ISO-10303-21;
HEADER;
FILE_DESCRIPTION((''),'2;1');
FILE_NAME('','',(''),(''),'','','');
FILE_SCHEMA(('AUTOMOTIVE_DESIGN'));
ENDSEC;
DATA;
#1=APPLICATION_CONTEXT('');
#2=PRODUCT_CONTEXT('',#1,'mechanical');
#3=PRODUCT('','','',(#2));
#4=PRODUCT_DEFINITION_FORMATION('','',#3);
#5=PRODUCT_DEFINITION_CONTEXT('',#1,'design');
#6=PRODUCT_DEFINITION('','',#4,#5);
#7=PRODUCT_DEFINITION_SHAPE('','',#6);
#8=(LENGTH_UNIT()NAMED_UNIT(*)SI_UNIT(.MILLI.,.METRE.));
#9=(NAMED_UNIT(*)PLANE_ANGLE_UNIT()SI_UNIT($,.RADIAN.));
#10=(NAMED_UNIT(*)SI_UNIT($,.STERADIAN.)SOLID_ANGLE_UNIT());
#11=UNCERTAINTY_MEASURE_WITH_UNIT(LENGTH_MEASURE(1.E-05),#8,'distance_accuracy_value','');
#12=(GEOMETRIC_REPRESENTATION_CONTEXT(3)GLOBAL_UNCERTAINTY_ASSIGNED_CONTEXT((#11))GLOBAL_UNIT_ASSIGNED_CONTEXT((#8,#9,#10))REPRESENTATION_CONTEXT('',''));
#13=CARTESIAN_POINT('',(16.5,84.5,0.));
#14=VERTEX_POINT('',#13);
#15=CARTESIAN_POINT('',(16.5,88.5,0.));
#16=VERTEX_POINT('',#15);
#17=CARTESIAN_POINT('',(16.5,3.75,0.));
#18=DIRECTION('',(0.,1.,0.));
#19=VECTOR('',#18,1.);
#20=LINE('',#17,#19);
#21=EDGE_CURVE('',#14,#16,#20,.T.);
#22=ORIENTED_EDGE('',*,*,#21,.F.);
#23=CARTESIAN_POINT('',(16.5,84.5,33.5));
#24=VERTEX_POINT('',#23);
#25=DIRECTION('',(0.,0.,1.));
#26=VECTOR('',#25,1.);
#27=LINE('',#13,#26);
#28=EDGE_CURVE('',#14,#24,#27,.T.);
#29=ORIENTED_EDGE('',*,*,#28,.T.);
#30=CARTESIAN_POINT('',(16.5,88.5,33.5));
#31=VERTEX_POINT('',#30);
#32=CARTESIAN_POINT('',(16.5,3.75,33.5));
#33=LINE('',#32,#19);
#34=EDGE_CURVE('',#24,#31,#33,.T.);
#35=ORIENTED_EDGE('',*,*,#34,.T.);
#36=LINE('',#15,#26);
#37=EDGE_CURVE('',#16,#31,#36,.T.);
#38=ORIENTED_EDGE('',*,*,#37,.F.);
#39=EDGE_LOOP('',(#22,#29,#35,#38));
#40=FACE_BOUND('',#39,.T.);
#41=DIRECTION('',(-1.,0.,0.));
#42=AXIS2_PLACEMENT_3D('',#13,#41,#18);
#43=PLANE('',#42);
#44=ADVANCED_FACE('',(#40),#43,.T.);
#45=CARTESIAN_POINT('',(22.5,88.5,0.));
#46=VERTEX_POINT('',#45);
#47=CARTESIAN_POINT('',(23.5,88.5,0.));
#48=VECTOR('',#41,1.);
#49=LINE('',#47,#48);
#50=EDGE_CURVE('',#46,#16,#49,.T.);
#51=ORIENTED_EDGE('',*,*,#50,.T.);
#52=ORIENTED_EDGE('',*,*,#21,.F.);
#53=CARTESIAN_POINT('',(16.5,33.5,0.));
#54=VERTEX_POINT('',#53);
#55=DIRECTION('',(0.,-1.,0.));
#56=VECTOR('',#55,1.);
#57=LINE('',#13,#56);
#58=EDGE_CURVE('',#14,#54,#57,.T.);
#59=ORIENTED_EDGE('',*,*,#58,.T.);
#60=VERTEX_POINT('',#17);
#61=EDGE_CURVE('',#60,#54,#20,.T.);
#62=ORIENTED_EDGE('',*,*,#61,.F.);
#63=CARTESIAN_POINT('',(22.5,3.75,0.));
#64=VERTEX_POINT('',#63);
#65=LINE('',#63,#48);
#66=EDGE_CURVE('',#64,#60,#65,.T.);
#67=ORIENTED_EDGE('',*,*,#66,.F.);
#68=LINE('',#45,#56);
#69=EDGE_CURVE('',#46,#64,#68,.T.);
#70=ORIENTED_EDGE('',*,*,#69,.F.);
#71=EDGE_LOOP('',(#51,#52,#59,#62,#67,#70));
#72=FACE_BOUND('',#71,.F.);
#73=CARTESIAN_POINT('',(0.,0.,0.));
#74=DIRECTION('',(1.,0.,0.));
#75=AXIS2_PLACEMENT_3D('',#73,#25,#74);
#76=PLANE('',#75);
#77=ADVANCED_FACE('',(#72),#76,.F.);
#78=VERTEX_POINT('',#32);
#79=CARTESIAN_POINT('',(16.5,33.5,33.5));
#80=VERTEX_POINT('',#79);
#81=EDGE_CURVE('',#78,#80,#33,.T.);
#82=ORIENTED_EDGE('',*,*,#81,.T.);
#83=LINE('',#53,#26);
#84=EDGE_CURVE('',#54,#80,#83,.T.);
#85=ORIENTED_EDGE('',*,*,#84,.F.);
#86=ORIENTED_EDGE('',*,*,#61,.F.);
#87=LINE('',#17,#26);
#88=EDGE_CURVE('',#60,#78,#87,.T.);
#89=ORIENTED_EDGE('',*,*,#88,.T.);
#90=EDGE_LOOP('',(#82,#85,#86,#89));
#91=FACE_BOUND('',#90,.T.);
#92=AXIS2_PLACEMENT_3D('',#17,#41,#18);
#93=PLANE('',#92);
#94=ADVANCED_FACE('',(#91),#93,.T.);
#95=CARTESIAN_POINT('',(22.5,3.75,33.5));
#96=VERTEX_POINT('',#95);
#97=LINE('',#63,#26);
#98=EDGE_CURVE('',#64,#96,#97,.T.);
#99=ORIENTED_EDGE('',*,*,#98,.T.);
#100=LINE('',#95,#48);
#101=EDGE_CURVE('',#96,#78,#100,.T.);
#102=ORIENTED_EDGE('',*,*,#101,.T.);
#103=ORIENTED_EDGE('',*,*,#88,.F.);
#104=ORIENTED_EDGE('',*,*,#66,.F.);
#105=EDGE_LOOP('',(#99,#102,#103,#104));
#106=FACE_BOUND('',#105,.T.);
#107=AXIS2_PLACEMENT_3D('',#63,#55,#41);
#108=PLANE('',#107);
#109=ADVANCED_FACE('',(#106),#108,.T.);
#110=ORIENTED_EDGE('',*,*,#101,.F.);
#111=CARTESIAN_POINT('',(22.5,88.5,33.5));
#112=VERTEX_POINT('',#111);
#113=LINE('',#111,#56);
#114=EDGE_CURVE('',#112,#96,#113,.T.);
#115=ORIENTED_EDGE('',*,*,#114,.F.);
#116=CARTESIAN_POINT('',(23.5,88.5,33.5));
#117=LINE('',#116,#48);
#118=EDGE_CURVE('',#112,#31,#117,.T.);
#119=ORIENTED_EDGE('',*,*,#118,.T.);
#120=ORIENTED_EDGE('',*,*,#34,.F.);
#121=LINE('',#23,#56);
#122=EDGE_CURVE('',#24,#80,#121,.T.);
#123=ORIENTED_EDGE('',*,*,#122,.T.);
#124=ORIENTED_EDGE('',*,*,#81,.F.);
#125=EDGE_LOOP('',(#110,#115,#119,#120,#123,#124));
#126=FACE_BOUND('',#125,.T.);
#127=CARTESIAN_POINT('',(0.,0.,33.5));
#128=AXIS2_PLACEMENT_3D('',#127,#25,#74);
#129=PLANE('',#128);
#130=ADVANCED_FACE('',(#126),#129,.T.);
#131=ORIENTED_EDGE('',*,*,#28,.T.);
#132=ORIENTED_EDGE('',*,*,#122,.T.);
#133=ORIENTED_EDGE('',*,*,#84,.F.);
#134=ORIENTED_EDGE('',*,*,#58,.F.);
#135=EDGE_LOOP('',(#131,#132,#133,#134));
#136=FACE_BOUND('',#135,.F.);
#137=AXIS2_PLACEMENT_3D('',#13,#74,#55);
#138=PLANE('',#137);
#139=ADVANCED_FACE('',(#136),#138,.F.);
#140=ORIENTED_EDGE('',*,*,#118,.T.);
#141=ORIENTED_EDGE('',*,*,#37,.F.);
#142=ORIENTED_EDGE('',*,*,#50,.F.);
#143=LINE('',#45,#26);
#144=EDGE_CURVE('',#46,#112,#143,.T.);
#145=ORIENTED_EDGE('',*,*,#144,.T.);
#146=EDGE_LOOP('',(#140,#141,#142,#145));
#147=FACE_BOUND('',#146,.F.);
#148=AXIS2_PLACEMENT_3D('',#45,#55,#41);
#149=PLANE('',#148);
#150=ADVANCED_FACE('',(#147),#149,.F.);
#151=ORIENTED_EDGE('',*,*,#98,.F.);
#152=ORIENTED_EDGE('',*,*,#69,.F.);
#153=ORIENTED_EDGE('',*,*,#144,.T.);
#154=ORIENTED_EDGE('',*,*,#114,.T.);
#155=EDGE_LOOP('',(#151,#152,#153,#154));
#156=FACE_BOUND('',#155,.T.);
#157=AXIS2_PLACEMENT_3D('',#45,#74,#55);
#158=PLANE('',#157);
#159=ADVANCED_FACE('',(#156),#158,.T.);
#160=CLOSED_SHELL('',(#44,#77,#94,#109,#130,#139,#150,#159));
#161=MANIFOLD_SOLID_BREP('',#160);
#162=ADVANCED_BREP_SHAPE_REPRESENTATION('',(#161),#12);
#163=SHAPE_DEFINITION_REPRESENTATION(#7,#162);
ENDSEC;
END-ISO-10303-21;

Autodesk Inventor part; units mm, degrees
ref_plane "YZ Plane" through (0, 0, 0) normal (1, 0, 0) x (0, 1, 0)
ref_plane "XZ Plane" through (0, 0, 0) normal (0, 1, 0) x (-1, 0, 0)
ref_plane "Work Plane1" through (0, 0, 0) normal (0, 0, 1) x (1, 0, 0)
sketch "Sketch1" plane through (0, 0, 0) normal (0, 0, 1) x (1, 0, 0)
  line L0 (23.5, 88.5) -> (-23.5, 88.5) projected
  line L1 (-23.5, 88.5) -> (-23.5, 33.5) projected
  line L2 (-23.5, 33.5) -> (-89, 33.5) projected
  line L3 (-89, 33.5) -> (-89, -73.5) projected
  line L4 (-89, -73.5) -> (-74, -73.5) projected
  line L5 (-74, -73.5) -> (-74, -93.5) projected
  line L6 (-74, -93.5) -> (74, -93.5) projected
  line L7 (74, -93.5) -> (74, -73.5) projected
  line L8 (74, -73.5) -> (89, -73.5) projected
  line L9 (89, -73.5) -> (89, 33.5) projected
  line L10 (89, 33.5) -> (23.5, 33.5) projected
  line L11 (23.5, 33.5) -> (23.5, 88.5) projected
  line L12 (-4.5, 84.5) -> (-4.5, 33.5) projected
  line L13 (-4.5, 33.5) -> (-16.5, 33.5) projected
  line L14 (-16.5, 33.5) -> (-16.5, 84.5) projected
  line L15 (4.5, 84.5) -> (16.5, 84.5) projected
  line L16 (16.5, 84.5) -> (16.5, 33.5) projected
  line L17 (16.5, 33.5) -> (4.5, 33.5) projected
  line L18 (4.5, 33.5) -> (4.5, 84.5) projected
  line L19 (-16.5, 84.5) -> (-4.5, 84.5) projected
  line L20 (16.5, 88.5) -> (22.5, 88.5)
  line L21 (22.5, 88.5) -> (22.5, 3.75)
  line L22 (22.5, 3.75) -> (16.5, 3.75)
  line L23 (16.5, 3.75) -> (16.5, 88.5)
  line L24 (59.9, 4.75) -> (32.2, 4.75)
  point P0 (0, 0)
  dimension "d0" = 1
  dimension "d1" = 1
ref_plane "Work Plane2" through (-89, -40.3889, 33.5) normal (0, 0, 1) x (1, 0, 0)
extrude "Extrusion1" add sketch "Sketch1" along normal up to surface (33.5 mm away) contours L21 L22 L23 L16 L0
properties part number "left_gear_holder"
